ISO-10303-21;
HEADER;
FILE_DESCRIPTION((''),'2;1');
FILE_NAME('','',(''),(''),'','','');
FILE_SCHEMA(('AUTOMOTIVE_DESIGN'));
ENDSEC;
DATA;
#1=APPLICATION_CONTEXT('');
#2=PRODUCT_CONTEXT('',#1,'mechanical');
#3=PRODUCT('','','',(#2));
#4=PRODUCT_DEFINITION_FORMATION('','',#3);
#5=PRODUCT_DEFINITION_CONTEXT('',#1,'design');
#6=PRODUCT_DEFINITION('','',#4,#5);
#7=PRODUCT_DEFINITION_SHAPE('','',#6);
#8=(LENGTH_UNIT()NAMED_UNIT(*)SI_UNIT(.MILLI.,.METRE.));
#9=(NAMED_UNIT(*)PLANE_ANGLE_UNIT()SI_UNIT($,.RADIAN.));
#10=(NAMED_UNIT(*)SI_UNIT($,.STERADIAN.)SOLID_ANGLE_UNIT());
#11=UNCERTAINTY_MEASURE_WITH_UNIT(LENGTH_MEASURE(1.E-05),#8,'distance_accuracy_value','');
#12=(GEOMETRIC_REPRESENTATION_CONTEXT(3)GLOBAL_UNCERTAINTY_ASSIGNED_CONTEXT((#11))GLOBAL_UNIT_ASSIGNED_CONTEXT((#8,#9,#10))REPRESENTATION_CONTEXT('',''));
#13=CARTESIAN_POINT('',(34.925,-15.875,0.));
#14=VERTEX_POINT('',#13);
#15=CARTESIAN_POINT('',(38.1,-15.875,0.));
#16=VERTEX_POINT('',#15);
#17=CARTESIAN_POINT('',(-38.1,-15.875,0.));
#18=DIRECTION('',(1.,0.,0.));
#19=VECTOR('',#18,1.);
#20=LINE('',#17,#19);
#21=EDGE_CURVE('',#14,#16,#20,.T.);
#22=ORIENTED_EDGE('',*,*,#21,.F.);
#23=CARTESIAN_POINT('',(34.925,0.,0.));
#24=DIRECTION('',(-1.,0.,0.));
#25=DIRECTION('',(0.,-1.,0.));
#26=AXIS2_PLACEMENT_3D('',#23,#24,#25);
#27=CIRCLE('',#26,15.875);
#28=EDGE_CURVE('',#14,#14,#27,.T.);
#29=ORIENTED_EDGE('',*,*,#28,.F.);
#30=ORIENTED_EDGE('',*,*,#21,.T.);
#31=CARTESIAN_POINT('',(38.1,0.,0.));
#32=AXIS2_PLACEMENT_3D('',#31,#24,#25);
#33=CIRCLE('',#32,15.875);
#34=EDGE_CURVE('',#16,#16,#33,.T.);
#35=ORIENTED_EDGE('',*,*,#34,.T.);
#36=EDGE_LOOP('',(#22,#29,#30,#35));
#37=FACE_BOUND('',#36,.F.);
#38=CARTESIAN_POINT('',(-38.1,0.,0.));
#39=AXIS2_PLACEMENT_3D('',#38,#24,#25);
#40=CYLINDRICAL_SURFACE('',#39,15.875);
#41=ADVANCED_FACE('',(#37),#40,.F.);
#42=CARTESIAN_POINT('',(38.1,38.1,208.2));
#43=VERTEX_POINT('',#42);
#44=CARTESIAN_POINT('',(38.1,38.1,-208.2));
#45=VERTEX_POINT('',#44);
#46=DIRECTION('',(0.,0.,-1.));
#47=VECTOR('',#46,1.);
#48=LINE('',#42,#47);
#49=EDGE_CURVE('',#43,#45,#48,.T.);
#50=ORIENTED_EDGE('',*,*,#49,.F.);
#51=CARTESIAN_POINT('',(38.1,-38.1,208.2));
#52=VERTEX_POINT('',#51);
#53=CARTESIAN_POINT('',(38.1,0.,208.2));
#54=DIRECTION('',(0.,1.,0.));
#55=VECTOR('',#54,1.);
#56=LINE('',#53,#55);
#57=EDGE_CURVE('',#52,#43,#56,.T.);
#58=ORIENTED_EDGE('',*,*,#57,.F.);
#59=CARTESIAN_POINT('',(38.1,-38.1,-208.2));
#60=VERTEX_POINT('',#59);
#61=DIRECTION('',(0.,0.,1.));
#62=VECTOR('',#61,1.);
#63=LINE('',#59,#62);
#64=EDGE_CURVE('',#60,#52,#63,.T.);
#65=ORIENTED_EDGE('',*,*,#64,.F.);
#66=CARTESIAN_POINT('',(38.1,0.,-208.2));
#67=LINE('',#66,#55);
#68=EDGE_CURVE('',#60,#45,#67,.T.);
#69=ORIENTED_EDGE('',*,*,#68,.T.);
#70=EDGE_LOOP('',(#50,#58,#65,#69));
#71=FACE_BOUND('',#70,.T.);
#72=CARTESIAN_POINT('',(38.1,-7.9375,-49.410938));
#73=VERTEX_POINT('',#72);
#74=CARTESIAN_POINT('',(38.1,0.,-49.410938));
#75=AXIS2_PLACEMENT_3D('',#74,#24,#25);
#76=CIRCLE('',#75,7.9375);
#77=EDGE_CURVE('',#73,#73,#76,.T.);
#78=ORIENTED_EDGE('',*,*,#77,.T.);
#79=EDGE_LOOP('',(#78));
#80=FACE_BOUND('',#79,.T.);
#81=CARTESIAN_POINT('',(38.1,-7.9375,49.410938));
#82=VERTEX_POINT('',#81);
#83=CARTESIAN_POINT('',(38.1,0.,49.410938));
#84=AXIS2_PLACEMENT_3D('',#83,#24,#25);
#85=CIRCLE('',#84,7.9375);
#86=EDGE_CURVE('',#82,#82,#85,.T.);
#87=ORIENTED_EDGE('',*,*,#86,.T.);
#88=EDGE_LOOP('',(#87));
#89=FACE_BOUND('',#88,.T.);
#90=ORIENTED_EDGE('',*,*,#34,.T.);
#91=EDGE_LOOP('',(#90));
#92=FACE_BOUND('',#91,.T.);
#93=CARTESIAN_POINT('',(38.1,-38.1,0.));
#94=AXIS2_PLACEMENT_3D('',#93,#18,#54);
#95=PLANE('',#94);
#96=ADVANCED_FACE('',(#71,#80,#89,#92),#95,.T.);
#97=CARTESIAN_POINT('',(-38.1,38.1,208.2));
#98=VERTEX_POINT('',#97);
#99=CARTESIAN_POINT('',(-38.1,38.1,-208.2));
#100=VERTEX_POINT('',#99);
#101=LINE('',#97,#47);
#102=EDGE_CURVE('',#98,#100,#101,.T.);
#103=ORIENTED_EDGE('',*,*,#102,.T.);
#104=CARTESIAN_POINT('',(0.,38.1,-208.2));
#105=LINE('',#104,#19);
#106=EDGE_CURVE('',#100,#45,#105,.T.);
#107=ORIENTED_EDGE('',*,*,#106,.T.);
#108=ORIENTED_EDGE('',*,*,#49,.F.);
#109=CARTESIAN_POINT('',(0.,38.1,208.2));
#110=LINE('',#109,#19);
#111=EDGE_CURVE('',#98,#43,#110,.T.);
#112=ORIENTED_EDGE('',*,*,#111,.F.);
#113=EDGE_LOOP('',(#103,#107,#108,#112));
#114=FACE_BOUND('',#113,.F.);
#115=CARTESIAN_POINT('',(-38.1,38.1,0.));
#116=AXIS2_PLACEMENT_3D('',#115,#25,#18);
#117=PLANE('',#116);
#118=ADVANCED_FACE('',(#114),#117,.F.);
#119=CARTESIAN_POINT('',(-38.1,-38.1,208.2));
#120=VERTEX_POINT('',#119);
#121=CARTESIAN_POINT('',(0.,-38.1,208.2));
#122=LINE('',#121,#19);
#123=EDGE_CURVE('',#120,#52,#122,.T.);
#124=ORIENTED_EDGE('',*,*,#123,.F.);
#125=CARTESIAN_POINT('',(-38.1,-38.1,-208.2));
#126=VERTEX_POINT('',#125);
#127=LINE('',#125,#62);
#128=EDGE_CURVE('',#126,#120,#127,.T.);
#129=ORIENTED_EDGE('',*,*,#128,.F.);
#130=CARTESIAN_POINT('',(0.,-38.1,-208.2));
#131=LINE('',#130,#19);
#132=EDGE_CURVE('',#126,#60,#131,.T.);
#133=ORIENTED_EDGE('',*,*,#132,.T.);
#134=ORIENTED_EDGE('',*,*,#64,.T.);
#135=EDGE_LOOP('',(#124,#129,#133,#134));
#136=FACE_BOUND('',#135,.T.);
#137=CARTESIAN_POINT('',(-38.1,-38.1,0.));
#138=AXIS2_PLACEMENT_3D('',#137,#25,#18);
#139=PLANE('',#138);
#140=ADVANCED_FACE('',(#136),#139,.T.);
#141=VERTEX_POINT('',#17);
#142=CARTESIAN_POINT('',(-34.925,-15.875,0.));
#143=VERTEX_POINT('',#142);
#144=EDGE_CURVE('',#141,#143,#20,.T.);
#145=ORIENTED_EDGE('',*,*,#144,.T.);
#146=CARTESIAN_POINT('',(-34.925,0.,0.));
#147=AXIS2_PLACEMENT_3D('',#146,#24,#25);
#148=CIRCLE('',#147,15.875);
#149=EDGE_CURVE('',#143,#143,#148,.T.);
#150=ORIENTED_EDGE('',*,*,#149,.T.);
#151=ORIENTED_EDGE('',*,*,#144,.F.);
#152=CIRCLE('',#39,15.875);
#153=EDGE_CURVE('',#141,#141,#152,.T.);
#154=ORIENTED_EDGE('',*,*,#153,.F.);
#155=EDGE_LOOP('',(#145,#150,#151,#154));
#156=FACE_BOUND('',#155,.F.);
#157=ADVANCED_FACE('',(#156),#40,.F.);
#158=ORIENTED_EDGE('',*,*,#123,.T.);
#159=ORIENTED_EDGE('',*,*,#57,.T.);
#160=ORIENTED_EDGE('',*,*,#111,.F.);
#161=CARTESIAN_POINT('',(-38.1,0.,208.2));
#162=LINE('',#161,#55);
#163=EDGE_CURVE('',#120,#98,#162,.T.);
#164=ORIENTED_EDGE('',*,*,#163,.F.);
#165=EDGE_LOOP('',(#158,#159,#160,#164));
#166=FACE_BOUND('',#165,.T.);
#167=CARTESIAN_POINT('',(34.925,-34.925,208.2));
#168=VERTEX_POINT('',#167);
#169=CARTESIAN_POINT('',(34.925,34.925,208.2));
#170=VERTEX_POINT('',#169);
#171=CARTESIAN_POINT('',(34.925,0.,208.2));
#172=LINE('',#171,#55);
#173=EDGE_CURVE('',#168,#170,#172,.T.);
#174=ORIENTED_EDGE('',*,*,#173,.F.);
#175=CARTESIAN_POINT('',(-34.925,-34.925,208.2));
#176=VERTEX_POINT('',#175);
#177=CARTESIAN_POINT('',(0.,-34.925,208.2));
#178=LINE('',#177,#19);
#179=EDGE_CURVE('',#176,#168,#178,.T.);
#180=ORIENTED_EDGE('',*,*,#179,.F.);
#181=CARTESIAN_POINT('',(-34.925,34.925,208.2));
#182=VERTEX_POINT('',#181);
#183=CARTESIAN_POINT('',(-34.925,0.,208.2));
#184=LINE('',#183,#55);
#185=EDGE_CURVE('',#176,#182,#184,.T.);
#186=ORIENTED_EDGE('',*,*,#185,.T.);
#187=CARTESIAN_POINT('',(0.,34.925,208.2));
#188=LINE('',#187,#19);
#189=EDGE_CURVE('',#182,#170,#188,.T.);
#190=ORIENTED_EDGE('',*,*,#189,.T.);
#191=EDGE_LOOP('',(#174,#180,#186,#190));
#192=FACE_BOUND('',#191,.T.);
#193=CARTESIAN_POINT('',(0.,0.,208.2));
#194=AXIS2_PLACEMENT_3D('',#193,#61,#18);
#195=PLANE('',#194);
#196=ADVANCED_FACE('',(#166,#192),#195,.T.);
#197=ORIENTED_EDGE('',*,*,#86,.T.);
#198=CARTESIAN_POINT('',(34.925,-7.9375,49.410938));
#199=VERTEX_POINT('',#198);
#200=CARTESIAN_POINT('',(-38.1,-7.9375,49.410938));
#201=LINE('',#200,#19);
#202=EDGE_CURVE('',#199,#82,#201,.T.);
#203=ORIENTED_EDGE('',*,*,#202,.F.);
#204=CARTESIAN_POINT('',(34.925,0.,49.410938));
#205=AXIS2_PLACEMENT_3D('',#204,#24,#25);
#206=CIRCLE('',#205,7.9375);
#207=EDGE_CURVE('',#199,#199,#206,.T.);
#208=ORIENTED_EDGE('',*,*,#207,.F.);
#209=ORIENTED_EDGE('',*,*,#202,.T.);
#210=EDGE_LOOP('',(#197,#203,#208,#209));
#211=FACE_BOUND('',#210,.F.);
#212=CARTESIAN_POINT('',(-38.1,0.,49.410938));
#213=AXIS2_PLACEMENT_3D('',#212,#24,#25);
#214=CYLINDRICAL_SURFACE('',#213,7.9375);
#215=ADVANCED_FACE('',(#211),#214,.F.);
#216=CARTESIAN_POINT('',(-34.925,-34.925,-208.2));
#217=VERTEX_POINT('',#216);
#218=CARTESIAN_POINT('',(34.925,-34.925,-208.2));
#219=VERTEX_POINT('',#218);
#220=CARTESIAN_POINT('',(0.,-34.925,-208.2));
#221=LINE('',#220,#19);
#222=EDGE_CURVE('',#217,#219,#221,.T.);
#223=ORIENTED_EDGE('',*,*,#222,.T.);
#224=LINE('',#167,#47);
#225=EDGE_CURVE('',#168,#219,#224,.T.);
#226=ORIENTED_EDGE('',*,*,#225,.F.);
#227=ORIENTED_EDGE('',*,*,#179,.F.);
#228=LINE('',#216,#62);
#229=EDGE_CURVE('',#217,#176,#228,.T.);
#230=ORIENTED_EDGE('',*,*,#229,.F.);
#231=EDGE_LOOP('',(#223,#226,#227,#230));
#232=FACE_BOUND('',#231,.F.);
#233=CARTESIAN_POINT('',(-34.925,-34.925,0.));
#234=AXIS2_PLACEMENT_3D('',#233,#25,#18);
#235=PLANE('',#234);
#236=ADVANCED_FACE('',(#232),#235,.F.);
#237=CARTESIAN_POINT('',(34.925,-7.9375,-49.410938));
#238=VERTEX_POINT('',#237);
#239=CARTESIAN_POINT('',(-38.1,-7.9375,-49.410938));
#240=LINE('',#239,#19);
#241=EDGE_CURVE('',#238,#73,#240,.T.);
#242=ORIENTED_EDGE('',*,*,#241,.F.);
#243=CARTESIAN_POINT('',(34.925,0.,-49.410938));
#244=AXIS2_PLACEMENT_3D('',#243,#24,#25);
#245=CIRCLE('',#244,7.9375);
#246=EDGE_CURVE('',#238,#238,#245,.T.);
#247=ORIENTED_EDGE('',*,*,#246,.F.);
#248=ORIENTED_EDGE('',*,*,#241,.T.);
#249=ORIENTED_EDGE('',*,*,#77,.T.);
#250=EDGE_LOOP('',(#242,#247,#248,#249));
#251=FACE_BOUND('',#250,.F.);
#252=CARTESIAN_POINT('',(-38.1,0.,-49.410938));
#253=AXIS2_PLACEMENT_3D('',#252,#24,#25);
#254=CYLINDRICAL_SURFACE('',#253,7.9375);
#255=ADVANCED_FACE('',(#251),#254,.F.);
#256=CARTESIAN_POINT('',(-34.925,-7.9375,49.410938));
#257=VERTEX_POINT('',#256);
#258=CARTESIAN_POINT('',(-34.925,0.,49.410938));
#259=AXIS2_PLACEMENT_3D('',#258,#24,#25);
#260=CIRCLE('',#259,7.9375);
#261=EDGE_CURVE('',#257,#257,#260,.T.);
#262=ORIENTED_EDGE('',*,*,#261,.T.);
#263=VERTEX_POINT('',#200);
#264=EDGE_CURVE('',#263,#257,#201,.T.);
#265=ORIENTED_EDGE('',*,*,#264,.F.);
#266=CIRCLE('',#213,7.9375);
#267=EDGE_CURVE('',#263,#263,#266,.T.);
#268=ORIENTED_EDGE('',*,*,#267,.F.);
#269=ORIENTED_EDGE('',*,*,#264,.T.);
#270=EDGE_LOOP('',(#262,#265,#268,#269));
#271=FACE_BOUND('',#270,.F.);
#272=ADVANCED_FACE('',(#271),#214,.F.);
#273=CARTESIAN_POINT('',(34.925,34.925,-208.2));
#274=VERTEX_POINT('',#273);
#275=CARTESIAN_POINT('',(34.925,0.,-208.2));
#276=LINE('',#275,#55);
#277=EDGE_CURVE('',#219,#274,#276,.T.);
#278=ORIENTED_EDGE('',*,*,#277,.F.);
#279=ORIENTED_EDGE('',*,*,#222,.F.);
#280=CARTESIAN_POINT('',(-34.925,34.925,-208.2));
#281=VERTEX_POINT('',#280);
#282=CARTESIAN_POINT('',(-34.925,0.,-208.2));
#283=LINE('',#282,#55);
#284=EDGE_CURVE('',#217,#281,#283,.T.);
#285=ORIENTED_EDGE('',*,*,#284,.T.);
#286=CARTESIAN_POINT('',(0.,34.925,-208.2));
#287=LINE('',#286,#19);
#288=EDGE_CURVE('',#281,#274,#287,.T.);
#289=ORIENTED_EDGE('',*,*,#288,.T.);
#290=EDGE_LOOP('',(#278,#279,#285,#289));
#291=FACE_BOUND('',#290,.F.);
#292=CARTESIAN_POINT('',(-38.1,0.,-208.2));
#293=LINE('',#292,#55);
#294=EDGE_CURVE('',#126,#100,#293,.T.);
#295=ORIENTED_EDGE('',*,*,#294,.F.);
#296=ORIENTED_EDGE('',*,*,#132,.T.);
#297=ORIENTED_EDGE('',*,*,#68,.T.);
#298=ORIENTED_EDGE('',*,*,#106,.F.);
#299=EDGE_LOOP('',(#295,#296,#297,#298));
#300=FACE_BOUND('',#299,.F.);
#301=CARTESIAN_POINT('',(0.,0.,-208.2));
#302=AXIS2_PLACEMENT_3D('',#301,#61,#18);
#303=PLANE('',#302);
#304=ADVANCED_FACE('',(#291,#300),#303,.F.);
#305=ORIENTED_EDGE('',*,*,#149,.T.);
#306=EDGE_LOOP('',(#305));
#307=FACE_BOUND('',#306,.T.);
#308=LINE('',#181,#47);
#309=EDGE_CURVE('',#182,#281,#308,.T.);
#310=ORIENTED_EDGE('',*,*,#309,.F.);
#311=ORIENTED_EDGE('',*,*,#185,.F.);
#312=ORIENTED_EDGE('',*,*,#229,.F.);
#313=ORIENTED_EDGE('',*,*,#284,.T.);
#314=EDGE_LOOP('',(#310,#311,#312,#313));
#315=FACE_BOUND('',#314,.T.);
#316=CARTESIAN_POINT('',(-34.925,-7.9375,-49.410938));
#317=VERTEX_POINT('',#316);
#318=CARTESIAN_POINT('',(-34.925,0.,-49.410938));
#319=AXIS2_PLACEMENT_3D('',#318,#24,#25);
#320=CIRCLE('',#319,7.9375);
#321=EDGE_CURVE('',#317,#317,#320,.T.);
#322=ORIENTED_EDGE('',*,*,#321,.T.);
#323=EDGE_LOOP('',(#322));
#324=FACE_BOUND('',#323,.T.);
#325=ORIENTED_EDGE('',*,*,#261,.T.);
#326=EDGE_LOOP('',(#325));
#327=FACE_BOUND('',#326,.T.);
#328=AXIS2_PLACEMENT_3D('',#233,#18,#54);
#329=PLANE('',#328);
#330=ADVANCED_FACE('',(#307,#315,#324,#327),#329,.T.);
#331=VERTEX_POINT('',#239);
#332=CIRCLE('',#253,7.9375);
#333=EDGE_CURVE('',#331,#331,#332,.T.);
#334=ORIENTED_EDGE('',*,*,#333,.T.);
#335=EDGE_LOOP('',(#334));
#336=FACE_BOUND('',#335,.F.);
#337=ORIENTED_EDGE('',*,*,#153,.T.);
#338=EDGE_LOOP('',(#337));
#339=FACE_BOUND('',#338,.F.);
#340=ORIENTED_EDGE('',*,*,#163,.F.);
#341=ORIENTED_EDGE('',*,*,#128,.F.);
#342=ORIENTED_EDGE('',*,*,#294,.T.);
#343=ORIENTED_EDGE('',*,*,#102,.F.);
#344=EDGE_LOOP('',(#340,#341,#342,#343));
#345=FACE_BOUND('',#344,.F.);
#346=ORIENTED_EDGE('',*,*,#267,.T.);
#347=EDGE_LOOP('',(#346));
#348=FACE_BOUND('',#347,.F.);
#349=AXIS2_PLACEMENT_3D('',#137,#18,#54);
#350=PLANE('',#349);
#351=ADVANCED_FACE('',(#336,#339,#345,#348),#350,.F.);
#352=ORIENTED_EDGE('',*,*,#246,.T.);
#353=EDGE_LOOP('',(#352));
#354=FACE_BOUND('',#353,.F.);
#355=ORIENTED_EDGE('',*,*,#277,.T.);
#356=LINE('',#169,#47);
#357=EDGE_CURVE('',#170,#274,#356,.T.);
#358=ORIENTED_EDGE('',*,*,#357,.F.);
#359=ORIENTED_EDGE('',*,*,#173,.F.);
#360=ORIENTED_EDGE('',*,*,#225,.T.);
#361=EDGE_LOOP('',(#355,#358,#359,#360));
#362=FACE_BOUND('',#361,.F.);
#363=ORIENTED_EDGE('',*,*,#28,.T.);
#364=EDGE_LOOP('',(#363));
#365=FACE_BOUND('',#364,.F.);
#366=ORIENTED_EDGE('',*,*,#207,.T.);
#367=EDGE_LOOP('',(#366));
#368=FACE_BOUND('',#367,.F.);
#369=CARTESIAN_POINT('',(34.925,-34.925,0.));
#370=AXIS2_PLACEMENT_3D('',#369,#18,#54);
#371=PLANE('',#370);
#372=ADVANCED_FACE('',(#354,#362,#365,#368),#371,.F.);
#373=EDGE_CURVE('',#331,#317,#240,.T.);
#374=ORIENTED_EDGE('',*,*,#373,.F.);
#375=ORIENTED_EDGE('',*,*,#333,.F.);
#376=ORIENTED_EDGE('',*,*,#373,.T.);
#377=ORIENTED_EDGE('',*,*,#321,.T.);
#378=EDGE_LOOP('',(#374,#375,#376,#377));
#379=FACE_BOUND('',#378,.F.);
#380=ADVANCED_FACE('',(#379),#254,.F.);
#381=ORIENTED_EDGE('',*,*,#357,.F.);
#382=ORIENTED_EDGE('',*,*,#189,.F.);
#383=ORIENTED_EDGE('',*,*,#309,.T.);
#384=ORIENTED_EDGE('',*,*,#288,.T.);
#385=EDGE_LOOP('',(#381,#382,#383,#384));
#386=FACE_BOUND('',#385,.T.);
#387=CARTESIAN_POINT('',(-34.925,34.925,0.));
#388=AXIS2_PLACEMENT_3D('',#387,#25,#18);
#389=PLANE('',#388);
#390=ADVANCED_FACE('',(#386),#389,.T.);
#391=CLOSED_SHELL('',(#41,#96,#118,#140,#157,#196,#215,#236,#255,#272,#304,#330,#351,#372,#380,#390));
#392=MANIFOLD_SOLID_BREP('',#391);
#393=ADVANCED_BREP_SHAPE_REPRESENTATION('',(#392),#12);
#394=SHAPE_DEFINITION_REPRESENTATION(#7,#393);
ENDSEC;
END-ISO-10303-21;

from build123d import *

# Parameters (mm, degrees)
SKETCH2_W           = 76.2
SKETCH2_H           = 76.2
SKETCH2_W_2         = 69.85
SKETCH2_H_2         = 69.85
BOSS_EXTRUDE1_DEPTH = 208.2
SKETCH3_R           = 15.875
SKETCH3_R_2         = 7.9375
CUT_EXTRUDE1_DEPTH  = 225.956195736


with BuildPart() as part:
    # Sketch2 → Boss-Extrude1 (new, symmetric)
    with BuildSketch(Plane.XY):
        Rectangle(SKETCH2_W, SKETCH2_H)
        Rectangle(SKETCH2_W_2, SKETCH2_H_2, mode=Mode.SUBTRACT)
    extrude(amount=BOSS_EXTRUDE1_DEPTH, both=True)

    # Sketch3 → Cut-Extrude1 (cut, through all)
    with BuildSketch(Plane.ZY.offset(38.1)):
        with Locations(Location((0, 0, 0), (0, 0, 270))):
            Circle(SKETCH3_R)
        with Locations(Location((-49.4109375, 0, 0), (0, 0, 270))):
            Circle(SKETCH3_R_2)
        with Locations(Location((49.4109375, 0, 0), (0, 0, 270))):
            Circle(SKETCH3_R_2)
    extrude(amount=-CUT_EXTRUDE1_DEPTH, mode=Mode.SUBTRACT)


solid = part.part
